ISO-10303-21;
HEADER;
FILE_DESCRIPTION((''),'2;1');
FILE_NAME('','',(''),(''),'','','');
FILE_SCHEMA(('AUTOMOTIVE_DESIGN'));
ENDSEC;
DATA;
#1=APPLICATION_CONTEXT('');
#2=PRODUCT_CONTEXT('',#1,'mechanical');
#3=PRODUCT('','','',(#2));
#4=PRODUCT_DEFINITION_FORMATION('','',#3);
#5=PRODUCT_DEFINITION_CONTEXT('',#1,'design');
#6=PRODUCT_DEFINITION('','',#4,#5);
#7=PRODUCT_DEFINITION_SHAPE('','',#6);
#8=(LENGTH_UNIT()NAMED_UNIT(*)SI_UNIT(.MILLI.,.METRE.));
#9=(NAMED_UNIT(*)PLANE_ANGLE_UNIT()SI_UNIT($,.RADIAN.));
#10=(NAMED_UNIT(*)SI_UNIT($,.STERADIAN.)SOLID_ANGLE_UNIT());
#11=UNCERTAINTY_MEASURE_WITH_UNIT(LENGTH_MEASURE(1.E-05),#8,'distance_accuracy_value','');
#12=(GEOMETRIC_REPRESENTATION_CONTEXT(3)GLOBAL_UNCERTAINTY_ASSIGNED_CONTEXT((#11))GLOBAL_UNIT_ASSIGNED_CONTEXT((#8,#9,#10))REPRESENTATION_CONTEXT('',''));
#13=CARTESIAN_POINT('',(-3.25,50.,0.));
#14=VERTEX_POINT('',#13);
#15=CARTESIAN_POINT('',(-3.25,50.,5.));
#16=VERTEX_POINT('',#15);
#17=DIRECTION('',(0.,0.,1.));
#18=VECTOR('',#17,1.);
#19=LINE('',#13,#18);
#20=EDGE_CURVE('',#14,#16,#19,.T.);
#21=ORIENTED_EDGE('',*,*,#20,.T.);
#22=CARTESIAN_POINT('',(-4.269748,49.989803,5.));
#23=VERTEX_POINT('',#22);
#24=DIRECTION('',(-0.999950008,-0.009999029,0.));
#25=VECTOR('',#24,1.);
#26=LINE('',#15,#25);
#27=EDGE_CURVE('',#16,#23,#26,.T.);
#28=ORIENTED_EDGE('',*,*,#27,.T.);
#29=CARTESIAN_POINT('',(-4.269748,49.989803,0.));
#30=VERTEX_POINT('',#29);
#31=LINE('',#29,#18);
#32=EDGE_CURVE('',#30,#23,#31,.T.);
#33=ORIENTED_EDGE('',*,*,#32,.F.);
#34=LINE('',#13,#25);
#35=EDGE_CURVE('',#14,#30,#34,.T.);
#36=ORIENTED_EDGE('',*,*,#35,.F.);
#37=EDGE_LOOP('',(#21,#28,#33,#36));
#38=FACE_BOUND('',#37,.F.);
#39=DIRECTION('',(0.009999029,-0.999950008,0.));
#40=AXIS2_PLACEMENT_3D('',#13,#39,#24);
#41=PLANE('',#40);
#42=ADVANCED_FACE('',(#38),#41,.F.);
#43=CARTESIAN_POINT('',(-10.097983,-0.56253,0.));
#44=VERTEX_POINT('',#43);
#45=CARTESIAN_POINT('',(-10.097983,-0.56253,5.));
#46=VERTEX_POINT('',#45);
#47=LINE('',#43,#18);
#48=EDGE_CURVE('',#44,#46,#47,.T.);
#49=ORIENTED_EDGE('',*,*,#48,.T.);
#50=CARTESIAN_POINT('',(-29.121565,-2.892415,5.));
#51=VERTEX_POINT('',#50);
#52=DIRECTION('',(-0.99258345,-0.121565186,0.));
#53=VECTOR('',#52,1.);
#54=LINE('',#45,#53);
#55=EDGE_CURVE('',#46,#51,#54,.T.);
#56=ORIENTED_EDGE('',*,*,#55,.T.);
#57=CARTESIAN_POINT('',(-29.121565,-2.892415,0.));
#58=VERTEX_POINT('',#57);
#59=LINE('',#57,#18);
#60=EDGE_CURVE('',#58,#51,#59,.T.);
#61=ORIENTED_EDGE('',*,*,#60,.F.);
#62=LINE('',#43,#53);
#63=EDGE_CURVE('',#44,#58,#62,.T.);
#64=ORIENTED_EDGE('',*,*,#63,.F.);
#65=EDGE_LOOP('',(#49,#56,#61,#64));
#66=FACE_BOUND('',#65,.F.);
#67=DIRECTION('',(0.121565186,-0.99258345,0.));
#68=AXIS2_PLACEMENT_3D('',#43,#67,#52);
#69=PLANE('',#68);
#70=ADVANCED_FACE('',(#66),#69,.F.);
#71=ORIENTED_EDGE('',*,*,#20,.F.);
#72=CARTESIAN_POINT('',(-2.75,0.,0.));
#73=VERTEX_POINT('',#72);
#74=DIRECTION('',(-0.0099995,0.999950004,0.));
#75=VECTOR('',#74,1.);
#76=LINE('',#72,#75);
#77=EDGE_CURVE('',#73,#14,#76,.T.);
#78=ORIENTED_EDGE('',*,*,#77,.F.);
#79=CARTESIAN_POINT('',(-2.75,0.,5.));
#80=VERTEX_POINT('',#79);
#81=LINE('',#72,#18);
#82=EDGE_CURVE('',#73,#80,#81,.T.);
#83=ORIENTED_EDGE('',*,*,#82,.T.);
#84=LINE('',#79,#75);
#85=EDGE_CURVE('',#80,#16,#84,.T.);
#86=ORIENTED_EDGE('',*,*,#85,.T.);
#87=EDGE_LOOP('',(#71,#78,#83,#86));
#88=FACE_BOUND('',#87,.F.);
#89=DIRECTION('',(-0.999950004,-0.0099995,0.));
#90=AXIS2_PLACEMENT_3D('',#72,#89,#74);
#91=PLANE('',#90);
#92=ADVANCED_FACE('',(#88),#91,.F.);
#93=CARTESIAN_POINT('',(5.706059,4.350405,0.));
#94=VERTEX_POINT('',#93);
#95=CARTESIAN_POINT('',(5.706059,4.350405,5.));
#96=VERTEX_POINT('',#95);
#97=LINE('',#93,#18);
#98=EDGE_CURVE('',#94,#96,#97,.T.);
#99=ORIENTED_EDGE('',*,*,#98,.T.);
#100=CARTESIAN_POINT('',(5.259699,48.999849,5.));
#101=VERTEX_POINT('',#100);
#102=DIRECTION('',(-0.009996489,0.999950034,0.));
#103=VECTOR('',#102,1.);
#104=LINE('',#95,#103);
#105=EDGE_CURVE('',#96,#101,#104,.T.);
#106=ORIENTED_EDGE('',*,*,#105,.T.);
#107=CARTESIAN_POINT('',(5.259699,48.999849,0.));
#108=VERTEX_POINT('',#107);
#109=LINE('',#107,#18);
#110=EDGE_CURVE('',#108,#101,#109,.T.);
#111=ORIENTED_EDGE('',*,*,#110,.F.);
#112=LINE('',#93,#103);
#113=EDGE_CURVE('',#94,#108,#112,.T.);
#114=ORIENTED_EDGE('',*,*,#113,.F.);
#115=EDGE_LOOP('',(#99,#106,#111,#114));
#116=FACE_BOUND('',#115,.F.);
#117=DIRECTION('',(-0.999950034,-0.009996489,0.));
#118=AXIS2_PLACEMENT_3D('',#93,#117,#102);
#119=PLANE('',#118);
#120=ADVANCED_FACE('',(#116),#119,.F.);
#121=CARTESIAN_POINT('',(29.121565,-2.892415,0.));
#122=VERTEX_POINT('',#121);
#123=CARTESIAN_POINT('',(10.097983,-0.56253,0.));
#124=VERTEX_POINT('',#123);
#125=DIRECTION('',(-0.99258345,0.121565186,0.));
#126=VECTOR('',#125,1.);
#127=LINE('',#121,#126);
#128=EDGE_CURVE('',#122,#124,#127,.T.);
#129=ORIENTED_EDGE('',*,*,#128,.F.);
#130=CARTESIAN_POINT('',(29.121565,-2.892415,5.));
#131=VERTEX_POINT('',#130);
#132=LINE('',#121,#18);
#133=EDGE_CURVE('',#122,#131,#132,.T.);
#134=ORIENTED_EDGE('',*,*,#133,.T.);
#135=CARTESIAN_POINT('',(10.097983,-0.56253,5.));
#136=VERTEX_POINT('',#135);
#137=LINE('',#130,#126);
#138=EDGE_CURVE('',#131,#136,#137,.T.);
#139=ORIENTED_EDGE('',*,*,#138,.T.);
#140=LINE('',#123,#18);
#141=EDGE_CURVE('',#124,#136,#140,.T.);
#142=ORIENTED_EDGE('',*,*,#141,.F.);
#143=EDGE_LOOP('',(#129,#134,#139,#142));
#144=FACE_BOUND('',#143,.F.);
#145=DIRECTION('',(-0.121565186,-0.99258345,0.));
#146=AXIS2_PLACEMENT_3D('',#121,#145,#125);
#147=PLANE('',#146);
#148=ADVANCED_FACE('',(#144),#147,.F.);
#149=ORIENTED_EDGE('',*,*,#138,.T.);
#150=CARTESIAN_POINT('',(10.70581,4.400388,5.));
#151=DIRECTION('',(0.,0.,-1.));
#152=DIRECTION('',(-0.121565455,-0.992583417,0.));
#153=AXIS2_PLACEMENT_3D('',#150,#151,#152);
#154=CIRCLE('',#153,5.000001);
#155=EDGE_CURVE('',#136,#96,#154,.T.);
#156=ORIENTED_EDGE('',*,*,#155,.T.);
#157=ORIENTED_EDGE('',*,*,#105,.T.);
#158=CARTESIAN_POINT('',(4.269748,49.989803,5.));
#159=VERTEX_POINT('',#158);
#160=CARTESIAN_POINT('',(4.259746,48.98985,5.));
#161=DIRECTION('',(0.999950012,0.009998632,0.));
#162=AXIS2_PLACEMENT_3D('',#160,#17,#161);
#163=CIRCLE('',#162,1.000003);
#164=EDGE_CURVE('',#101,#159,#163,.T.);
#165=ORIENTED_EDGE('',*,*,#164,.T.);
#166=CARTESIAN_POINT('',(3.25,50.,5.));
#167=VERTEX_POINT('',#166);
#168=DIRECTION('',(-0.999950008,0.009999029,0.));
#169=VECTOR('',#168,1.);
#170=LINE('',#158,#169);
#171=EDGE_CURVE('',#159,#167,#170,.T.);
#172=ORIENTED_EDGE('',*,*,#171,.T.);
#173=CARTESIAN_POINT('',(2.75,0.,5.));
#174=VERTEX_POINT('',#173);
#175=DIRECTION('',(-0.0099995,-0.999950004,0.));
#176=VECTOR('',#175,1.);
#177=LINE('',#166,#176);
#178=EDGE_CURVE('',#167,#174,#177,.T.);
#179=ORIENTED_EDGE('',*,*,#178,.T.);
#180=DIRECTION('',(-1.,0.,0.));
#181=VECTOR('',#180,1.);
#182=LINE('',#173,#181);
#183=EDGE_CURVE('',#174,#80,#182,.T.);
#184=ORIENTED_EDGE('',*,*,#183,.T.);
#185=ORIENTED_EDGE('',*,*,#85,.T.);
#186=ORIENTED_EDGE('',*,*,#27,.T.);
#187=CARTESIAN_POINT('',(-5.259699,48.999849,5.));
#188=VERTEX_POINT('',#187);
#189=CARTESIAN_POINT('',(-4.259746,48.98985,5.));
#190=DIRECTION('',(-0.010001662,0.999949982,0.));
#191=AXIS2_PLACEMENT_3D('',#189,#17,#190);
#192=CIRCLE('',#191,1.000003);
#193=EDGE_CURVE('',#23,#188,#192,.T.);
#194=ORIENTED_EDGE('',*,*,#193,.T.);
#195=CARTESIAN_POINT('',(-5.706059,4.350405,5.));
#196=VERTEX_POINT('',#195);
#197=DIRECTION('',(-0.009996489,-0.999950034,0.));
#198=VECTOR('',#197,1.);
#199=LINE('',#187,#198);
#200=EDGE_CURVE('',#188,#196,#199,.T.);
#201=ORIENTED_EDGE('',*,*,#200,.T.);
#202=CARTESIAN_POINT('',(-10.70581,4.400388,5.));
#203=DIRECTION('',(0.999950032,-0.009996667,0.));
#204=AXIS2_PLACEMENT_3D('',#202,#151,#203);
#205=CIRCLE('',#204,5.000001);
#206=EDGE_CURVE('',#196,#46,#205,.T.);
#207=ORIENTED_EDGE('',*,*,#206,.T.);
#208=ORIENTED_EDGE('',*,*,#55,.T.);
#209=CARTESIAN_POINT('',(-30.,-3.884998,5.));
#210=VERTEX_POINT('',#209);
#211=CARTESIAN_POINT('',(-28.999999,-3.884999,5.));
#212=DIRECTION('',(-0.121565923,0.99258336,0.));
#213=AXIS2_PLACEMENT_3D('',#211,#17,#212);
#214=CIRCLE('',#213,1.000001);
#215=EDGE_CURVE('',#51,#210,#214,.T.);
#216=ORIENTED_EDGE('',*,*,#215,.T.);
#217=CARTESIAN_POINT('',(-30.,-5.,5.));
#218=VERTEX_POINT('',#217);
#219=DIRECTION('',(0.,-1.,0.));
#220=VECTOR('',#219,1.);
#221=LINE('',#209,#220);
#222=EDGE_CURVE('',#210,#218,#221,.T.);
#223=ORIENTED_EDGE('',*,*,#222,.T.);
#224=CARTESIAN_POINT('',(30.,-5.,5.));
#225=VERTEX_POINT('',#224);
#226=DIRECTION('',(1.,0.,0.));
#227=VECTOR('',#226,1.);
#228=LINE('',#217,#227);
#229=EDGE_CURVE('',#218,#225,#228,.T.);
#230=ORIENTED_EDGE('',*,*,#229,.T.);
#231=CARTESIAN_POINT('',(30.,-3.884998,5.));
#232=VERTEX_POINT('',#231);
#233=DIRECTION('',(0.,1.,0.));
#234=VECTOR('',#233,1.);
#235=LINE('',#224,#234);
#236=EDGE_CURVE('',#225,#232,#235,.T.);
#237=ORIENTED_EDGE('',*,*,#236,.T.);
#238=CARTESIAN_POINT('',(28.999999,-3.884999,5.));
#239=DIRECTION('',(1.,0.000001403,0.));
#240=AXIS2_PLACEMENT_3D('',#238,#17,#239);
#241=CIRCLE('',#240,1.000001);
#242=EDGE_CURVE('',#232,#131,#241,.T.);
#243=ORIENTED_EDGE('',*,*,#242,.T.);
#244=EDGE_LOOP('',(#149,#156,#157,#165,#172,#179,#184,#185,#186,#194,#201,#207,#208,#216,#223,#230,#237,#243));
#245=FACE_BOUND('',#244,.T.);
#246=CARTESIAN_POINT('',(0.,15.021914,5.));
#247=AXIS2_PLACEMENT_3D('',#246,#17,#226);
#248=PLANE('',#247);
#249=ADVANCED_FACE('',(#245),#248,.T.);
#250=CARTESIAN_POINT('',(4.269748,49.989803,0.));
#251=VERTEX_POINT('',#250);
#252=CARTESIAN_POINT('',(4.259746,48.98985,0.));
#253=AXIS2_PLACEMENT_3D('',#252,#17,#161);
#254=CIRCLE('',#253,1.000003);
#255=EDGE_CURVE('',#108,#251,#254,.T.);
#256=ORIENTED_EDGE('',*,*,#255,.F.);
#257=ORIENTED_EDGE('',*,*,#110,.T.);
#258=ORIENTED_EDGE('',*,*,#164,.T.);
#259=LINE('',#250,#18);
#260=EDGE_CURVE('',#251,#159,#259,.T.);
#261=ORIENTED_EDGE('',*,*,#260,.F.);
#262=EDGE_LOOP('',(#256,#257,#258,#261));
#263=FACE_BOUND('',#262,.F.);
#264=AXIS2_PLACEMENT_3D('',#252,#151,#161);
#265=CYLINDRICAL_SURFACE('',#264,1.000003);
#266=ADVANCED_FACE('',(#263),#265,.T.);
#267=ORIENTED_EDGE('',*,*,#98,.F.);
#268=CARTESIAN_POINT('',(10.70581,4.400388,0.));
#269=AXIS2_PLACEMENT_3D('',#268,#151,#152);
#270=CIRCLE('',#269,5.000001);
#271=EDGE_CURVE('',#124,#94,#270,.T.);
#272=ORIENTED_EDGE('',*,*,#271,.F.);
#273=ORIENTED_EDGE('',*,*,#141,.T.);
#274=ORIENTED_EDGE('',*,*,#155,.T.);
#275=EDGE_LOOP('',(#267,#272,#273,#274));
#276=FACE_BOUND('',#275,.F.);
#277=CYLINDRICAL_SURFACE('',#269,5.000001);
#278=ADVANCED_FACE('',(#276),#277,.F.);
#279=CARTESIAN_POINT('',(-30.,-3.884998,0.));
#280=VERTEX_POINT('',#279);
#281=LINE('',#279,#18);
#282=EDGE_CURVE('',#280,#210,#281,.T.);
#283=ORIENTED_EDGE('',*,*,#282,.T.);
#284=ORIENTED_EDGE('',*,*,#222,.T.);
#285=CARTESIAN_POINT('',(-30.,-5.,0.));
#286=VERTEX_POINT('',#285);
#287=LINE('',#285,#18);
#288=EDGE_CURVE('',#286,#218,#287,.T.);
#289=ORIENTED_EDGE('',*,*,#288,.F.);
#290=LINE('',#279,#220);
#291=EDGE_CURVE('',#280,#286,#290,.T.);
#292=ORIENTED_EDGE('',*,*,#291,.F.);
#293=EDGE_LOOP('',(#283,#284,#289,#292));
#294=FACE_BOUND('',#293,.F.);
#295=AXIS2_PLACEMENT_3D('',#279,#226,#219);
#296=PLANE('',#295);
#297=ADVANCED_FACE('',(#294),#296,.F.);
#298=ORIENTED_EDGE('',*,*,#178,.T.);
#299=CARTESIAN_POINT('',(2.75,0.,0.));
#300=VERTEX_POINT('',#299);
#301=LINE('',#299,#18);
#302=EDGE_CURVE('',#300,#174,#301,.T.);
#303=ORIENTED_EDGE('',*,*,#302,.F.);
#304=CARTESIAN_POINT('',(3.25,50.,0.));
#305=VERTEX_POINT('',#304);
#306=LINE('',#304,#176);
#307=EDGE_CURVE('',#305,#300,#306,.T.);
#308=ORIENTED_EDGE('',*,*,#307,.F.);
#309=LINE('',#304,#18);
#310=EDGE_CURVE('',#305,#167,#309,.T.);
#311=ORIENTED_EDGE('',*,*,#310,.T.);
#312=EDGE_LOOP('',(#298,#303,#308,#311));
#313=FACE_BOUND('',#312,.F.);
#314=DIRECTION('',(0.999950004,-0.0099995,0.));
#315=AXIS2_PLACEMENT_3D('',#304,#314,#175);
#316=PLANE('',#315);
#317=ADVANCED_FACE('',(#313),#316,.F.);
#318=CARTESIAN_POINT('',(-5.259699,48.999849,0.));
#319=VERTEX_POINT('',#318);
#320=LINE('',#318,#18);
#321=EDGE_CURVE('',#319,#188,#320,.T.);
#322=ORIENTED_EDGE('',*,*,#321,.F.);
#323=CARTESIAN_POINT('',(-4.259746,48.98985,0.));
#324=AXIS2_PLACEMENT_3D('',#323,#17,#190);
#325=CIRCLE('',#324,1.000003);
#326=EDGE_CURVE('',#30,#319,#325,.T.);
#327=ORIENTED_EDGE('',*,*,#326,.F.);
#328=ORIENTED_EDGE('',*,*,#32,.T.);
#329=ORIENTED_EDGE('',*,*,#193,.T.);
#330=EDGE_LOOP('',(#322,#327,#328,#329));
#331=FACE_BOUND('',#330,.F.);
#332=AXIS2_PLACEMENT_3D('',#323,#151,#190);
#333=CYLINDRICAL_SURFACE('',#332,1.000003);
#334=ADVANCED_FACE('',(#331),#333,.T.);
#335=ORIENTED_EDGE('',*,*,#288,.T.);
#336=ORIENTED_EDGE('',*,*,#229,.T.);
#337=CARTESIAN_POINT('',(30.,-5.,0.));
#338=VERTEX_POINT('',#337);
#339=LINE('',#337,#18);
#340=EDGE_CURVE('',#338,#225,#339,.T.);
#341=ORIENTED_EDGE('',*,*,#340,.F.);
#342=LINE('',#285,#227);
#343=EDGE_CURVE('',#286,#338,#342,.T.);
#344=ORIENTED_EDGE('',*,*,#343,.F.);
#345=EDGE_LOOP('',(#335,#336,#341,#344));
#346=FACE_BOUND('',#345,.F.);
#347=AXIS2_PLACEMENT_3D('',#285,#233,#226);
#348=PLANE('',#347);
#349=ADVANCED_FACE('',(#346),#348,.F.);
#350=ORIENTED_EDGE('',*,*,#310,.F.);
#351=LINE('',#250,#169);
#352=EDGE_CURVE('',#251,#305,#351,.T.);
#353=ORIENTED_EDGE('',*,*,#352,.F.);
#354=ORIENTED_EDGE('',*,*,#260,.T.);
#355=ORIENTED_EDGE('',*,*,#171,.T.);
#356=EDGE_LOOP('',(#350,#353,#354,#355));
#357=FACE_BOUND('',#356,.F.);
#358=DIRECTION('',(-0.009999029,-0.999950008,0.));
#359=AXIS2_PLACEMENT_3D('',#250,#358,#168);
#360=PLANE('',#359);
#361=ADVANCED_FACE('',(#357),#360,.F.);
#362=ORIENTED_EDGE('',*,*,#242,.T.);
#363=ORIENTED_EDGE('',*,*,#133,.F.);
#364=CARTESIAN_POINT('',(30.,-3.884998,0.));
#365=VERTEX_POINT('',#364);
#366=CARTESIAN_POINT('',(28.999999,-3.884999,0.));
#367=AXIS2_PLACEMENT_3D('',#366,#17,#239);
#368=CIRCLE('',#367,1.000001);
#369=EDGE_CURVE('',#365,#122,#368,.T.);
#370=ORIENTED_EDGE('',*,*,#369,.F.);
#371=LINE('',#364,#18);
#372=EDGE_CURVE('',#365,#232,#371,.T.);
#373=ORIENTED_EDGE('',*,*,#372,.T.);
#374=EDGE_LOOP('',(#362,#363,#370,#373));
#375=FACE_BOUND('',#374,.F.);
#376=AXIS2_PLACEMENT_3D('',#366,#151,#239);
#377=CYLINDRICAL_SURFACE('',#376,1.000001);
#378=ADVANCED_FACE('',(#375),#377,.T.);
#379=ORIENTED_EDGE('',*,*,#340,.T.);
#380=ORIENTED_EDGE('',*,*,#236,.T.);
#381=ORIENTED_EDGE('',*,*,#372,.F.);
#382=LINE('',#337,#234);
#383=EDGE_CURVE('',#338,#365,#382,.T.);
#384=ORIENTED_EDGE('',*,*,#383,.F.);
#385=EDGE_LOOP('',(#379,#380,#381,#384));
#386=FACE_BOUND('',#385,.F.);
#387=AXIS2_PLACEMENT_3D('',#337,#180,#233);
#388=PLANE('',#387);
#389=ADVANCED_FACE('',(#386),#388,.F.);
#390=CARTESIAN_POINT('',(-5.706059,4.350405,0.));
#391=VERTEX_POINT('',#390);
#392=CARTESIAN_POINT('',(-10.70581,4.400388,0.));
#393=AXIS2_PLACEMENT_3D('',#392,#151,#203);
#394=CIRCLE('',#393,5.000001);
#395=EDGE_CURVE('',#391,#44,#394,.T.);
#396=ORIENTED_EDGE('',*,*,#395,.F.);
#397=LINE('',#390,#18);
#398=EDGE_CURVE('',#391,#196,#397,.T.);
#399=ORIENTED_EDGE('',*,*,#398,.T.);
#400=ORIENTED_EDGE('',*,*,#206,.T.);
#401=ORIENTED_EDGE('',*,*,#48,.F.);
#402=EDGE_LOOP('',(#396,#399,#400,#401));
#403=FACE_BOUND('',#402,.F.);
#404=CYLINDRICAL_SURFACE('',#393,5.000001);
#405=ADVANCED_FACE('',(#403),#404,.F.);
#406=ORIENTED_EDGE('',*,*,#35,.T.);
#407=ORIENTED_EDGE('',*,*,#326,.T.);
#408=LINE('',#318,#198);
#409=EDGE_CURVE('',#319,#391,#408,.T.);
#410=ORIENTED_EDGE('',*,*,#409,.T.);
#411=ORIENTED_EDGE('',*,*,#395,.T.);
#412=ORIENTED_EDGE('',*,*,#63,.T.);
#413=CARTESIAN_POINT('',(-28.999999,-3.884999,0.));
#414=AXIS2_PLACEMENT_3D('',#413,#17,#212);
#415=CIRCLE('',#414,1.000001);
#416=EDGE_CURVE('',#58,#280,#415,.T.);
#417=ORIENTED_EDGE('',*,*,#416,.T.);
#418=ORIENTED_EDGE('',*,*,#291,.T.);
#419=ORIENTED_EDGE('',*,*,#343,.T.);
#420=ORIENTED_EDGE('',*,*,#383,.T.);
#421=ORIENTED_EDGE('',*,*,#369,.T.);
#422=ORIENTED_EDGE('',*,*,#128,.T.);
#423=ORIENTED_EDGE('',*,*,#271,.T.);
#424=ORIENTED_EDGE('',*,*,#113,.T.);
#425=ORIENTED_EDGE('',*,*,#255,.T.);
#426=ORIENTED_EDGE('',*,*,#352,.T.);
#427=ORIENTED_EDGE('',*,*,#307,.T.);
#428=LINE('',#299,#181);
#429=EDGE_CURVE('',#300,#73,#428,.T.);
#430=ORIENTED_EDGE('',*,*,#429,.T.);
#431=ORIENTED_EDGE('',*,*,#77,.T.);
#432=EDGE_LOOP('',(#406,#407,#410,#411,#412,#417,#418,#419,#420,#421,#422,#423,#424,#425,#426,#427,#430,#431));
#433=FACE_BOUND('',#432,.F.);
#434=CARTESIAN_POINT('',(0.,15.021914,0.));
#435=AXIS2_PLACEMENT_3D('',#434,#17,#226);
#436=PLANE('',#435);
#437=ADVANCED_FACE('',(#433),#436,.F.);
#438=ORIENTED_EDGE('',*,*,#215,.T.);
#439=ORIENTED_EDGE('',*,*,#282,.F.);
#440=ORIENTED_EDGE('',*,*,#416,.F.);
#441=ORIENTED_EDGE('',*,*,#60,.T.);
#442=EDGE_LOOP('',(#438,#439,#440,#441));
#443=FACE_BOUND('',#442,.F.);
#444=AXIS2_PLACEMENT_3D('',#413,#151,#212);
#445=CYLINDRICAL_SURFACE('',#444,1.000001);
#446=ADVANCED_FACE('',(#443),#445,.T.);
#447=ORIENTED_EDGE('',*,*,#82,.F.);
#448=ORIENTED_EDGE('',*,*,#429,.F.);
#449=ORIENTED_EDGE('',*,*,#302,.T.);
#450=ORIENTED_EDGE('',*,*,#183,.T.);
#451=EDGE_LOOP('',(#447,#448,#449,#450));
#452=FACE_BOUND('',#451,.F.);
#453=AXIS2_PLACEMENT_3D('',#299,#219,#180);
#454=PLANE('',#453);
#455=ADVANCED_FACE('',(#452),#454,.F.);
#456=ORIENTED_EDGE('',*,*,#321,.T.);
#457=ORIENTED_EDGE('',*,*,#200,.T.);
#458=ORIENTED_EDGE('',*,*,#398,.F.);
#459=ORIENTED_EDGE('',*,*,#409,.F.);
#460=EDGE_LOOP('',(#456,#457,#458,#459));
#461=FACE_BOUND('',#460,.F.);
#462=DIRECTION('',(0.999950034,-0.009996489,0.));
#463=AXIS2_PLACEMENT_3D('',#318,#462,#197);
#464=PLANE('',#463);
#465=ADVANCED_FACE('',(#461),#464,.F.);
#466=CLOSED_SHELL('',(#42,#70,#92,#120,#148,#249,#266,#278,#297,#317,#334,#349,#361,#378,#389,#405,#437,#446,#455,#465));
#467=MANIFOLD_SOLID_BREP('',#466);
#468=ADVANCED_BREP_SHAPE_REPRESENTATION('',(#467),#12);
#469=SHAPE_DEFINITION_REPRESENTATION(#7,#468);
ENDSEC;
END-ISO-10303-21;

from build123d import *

# Parameters (mm, degrees)
F1_DEPTH = 5


with BuildPart() as f1:
    # F0 (on Top) → F1 (new body)
    with BuildSketch(Plane.XY):
        with BuildLine():
            Line((2.75, 0), (0, 0))
            Line((0, 0), (-2.75, 0))
            Line((-2.75, 0), (-3.25, 50))
            Line((-3.25, 50), (-4.269748, 49.989803))
            ThreePointArc((-4.269748, 49.989803), (-4.966856, 49.696958), (-5.259699, 48.999849))
            Line((-5.259699, 48.999849), (-5.706059, 4.350405))
            ThreePointArc((-5.706059, 4.350405), (-6.978148, 1.06804), (-10.097983, -0.56253))
            Line((-10.097983, -0.56253), (-29.121565, -2.892415))
            ThreePointArc((-29.121565, -2.892415), (-29.748854, -3.222264), (-30, -3.884998))
            Line((-30, -3.884998), (-30, -5))
            Line((-30, -5), (0, -5))
            Line((0, -5), (30, -5))
            Line((30, -5), (30, -3.884998))
            ThreePointArc((30, -3.884998), (29.748854, -3.222264), (29.121565, -2.892415))
            Line((29.121565, -2.892415), (10.097983, -0.56253))
            ThreePointArc((10.097983, -0.56253), (6.978148, 1.06804), (5.706059, 4.350405))
            Line((5.706059, 4.350405), (5.259699, 48.999849))
            ThreePointArc((5.259699, 48.999849), (4.966856, 49.696958), (4.269748, 49.989803))
            Line((4.269748, 49.989803), (3.25, 50))
            Line((3.25, 50), (2.75, 0))
        make_face()
    extrude(amount=F1_DEPTH)


solid = f1.part
